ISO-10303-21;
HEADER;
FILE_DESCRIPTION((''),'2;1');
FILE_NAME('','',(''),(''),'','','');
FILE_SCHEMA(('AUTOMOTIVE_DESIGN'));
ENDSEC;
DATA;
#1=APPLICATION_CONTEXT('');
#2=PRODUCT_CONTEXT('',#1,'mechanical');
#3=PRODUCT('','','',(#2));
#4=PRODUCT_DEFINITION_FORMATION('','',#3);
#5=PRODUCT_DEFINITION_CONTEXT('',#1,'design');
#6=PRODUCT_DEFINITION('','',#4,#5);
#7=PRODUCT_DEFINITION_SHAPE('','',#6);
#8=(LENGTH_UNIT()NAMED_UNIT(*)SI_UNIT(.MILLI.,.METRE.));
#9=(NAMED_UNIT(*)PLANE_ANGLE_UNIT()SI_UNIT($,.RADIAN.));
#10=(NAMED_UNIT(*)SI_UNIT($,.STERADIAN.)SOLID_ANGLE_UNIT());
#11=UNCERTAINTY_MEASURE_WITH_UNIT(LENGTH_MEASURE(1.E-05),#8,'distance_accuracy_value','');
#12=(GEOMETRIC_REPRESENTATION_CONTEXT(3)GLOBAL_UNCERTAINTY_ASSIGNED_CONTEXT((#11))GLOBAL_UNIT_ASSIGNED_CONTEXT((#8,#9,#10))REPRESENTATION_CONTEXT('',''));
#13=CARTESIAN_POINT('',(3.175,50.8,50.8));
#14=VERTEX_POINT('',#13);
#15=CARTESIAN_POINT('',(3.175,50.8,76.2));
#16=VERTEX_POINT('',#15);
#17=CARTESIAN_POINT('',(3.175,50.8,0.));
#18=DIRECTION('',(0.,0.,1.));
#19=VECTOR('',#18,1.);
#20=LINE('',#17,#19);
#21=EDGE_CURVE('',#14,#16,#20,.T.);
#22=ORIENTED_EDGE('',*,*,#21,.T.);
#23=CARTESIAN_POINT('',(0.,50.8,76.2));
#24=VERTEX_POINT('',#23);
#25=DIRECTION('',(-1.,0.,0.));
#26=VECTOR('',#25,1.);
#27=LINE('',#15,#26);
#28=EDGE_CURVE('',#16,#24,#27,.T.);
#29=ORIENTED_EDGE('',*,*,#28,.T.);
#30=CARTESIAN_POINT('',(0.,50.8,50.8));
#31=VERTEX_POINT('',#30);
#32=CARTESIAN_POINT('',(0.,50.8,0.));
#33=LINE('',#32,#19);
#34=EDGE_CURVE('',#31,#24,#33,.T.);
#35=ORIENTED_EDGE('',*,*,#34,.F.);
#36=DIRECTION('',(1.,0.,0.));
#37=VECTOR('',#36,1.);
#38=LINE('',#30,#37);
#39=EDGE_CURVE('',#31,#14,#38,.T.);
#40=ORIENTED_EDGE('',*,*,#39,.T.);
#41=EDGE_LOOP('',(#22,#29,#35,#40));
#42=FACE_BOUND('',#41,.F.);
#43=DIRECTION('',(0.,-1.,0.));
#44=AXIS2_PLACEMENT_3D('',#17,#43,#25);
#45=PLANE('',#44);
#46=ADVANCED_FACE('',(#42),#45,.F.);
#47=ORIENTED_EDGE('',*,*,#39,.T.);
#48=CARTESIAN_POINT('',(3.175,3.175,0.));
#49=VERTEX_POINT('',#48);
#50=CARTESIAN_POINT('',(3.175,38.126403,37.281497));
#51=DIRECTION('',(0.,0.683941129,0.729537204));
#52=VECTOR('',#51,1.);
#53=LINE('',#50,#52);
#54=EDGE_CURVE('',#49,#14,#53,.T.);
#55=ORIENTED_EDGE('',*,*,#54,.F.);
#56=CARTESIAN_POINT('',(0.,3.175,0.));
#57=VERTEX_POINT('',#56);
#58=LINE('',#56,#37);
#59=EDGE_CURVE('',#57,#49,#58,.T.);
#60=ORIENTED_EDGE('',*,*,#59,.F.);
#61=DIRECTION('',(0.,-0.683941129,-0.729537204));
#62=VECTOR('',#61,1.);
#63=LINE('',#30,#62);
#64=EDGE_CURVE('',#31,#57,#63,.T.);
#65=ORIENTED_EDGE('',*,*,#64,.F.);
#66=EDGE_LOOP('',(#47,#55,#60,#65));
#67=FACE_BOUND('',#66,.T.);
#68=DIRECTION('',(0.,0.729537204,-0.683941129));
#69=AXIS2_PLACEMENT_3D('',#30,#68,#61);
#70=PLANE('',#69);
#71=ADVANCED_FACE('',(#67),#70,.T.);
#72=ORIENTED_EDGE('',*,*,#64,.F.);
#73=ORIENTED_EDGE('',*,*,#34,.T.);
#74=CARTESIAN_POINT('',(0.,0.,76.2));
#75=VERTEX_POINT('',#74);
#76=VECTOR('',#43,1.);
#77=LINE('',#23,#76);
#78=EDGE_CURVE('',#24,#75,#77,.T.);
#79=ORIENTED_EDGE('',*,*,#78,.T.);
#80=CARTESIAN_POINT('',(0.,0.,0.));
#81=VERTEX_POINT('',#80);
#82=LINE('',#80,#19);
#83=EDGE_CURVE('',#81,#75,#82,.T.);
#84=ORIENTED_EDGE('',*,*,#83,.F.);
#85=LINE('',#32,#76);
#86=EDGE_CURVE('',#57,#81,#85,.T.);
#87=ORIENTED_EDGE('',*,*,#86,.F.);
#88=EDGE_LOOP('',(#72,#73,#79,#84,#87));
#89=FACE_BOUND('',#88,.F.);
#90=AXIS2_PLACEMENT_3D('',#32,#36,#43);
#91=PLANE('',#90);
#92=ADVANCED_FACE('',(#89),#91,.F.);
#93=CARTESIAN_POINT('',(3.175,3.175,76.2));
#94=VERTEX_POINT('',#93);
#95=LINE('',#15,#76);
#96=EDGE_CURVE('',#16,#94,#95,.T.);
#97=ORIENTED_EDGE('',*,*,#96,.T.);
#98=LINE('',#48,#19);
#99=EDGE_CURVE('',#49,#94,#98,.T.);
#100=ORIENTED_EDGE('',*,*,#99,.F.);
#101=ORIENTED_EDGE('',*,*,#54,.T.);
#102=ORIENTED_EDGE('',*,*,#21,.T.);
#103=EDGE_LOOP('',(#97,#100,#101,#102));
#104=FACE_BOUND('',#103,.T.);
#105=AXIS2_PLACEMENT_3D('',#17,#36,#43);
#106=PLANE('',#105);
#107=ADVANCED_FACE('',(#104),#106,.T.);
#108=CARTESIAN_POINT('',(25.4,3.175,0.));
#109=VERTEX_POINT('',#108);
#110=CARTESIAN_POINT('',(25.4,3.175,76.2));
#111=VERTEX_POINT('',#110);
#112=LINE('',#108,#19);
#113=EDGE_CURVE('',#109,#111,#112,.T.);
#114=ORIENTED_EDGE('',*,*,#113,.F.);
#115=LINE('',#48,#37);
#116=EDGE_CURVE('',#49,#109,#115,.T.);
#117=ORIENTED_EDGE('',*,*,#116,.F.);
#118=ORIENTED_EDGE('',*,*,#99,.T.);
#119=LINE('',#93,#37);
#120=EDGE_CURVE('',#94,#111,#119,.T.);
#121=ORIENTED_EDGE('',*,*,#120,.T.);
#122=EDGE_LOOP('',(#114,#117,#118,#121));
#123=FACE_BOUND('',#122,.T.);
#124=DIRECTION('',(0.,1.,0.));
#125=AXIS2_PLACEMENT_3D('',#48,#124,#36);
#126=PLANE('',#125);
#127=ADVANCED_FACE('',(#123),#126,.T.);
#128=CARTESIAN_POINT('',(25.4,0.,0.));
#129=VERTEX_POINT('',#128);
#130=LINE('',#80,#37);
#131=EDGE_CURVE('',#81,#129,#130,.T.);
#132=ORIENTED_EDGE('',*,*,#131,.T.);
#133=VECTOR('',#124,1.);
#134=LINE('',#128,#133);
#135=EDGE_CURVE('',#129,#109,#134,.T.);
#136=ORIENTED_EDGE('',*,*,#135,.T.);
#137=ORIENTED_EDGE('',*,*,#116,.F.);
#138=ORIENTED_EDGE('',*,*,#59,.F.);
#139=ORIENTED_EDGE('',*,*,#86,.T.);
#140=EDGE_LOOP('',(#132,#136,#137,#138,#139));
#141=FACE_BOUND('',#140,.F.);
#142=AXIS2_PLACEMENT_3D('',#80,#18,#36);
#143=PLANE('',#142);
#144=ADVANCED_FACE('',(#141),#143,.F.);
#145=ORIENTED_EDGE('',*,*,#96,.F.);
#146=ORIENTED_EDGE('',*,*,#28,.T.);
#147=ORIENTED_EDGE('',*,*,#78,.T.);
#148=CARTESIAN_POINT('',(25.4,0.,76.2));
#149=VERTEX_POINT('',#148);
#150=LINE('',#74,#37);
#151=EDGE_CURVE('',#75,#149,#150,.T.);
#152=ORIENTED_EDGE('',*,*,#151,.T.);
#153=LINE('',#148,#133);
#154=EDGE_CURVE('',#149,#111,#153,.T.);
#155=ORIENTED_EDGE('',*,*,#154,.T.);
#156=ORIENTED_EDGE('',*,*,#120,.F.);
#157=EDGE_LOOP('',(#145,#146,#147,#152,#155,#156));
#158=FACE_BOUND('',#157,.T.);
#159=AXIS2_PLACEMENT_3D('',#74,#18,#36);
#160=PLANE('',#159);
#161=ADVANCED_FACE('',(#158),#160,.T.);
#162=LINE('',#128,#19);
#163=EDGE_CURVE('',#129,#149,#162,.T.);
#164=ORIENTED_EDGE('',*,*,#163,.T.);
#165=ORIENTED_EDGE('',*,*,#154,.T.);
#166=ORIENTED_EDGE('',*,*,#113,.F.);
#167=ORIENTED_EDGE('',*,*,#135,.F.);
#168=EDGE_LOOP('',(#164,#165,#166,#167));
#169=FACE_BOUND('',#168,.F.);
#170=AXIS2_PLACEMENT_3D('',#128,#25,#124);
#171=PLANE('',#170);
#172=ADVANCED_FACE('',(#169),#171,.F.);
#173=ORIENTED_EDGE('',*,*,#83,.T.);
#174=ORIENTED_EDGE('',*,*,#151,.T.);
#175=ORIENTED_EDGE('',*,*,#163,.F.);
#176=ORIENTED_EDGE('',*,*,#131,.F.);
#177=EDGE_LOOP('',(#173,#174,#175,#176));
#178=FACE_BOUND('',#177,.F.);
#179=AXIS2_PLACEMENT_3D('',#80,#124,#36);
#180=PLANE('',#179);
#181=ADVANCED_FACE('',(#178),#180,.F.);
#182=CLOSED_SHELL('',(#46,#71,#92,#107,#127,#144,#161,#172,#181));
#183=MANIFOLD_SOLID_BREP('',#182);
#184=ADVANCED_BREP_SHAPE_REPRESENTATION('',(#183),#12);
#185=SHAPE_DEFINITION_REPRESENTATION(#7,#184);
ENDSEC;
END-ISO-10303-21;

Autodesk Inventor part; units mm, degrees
ref_plane "YZ Plane" through (0, 0, 0) normal (1, 0, 0) x (0, 1, 0)
ref_plane "XZ Plane" through (0, 0, 0) normal (0, 1, 0) x (-1, 0, 0)
ref_plane "XY Plane" through (0, 0, 0) normal (0, 0, 1) x (1, 0, 0)
sketch "Sketch1" plane through (0, 0, 0) normal (0, 0, 1) x (1, 0, 0)
  line L0 (0, 0) -> (25.4, 0)
  line L1 (25.4, 0) -> (25.4, 3.175)
  line L2 (3.175, 50.8) -> (0, 50.8)
  line L3 (0, 50.8) -> (0, 0)
  line L4 (3.175, 50.8) -> (3.175, 3.175)
  line L5 (3.175, 3.175) -> (25.4, 3.175)
  dimension "d0" = 50.8
  dimension "d1" = 25.4
  dimension "d2" = 3.175
extrude "Extrusion1" add sketch "Sketch1" along normal blind 76.2
sketch "Sketch2" plane through (0, 0, 0) normal (-1, 0, 0) x (0, 0, 1)
  line L0 (76.2, 0) -> (76.2, 50.8) projected
  line L1 (0, 50.8) -> (76.2, 50.8) projected
  line L2 (0, 50.8) -> (0, 0) projected
  line L3 (0, 0) -> (76.2, 0) projected
  line L4 (50.8, 50.8) -> (50.8, 0) construction
  line L5 (50.8, 50.8) -> (0, 3.175)
  dimension "d5" = 25.4
  dimension "d6" = 3.175
extrude "Extrusion2" cut sketch "Sketch2" against normal blind 25.4 contours L5 L2 L1
properties part number "manipulator corner brace right"
